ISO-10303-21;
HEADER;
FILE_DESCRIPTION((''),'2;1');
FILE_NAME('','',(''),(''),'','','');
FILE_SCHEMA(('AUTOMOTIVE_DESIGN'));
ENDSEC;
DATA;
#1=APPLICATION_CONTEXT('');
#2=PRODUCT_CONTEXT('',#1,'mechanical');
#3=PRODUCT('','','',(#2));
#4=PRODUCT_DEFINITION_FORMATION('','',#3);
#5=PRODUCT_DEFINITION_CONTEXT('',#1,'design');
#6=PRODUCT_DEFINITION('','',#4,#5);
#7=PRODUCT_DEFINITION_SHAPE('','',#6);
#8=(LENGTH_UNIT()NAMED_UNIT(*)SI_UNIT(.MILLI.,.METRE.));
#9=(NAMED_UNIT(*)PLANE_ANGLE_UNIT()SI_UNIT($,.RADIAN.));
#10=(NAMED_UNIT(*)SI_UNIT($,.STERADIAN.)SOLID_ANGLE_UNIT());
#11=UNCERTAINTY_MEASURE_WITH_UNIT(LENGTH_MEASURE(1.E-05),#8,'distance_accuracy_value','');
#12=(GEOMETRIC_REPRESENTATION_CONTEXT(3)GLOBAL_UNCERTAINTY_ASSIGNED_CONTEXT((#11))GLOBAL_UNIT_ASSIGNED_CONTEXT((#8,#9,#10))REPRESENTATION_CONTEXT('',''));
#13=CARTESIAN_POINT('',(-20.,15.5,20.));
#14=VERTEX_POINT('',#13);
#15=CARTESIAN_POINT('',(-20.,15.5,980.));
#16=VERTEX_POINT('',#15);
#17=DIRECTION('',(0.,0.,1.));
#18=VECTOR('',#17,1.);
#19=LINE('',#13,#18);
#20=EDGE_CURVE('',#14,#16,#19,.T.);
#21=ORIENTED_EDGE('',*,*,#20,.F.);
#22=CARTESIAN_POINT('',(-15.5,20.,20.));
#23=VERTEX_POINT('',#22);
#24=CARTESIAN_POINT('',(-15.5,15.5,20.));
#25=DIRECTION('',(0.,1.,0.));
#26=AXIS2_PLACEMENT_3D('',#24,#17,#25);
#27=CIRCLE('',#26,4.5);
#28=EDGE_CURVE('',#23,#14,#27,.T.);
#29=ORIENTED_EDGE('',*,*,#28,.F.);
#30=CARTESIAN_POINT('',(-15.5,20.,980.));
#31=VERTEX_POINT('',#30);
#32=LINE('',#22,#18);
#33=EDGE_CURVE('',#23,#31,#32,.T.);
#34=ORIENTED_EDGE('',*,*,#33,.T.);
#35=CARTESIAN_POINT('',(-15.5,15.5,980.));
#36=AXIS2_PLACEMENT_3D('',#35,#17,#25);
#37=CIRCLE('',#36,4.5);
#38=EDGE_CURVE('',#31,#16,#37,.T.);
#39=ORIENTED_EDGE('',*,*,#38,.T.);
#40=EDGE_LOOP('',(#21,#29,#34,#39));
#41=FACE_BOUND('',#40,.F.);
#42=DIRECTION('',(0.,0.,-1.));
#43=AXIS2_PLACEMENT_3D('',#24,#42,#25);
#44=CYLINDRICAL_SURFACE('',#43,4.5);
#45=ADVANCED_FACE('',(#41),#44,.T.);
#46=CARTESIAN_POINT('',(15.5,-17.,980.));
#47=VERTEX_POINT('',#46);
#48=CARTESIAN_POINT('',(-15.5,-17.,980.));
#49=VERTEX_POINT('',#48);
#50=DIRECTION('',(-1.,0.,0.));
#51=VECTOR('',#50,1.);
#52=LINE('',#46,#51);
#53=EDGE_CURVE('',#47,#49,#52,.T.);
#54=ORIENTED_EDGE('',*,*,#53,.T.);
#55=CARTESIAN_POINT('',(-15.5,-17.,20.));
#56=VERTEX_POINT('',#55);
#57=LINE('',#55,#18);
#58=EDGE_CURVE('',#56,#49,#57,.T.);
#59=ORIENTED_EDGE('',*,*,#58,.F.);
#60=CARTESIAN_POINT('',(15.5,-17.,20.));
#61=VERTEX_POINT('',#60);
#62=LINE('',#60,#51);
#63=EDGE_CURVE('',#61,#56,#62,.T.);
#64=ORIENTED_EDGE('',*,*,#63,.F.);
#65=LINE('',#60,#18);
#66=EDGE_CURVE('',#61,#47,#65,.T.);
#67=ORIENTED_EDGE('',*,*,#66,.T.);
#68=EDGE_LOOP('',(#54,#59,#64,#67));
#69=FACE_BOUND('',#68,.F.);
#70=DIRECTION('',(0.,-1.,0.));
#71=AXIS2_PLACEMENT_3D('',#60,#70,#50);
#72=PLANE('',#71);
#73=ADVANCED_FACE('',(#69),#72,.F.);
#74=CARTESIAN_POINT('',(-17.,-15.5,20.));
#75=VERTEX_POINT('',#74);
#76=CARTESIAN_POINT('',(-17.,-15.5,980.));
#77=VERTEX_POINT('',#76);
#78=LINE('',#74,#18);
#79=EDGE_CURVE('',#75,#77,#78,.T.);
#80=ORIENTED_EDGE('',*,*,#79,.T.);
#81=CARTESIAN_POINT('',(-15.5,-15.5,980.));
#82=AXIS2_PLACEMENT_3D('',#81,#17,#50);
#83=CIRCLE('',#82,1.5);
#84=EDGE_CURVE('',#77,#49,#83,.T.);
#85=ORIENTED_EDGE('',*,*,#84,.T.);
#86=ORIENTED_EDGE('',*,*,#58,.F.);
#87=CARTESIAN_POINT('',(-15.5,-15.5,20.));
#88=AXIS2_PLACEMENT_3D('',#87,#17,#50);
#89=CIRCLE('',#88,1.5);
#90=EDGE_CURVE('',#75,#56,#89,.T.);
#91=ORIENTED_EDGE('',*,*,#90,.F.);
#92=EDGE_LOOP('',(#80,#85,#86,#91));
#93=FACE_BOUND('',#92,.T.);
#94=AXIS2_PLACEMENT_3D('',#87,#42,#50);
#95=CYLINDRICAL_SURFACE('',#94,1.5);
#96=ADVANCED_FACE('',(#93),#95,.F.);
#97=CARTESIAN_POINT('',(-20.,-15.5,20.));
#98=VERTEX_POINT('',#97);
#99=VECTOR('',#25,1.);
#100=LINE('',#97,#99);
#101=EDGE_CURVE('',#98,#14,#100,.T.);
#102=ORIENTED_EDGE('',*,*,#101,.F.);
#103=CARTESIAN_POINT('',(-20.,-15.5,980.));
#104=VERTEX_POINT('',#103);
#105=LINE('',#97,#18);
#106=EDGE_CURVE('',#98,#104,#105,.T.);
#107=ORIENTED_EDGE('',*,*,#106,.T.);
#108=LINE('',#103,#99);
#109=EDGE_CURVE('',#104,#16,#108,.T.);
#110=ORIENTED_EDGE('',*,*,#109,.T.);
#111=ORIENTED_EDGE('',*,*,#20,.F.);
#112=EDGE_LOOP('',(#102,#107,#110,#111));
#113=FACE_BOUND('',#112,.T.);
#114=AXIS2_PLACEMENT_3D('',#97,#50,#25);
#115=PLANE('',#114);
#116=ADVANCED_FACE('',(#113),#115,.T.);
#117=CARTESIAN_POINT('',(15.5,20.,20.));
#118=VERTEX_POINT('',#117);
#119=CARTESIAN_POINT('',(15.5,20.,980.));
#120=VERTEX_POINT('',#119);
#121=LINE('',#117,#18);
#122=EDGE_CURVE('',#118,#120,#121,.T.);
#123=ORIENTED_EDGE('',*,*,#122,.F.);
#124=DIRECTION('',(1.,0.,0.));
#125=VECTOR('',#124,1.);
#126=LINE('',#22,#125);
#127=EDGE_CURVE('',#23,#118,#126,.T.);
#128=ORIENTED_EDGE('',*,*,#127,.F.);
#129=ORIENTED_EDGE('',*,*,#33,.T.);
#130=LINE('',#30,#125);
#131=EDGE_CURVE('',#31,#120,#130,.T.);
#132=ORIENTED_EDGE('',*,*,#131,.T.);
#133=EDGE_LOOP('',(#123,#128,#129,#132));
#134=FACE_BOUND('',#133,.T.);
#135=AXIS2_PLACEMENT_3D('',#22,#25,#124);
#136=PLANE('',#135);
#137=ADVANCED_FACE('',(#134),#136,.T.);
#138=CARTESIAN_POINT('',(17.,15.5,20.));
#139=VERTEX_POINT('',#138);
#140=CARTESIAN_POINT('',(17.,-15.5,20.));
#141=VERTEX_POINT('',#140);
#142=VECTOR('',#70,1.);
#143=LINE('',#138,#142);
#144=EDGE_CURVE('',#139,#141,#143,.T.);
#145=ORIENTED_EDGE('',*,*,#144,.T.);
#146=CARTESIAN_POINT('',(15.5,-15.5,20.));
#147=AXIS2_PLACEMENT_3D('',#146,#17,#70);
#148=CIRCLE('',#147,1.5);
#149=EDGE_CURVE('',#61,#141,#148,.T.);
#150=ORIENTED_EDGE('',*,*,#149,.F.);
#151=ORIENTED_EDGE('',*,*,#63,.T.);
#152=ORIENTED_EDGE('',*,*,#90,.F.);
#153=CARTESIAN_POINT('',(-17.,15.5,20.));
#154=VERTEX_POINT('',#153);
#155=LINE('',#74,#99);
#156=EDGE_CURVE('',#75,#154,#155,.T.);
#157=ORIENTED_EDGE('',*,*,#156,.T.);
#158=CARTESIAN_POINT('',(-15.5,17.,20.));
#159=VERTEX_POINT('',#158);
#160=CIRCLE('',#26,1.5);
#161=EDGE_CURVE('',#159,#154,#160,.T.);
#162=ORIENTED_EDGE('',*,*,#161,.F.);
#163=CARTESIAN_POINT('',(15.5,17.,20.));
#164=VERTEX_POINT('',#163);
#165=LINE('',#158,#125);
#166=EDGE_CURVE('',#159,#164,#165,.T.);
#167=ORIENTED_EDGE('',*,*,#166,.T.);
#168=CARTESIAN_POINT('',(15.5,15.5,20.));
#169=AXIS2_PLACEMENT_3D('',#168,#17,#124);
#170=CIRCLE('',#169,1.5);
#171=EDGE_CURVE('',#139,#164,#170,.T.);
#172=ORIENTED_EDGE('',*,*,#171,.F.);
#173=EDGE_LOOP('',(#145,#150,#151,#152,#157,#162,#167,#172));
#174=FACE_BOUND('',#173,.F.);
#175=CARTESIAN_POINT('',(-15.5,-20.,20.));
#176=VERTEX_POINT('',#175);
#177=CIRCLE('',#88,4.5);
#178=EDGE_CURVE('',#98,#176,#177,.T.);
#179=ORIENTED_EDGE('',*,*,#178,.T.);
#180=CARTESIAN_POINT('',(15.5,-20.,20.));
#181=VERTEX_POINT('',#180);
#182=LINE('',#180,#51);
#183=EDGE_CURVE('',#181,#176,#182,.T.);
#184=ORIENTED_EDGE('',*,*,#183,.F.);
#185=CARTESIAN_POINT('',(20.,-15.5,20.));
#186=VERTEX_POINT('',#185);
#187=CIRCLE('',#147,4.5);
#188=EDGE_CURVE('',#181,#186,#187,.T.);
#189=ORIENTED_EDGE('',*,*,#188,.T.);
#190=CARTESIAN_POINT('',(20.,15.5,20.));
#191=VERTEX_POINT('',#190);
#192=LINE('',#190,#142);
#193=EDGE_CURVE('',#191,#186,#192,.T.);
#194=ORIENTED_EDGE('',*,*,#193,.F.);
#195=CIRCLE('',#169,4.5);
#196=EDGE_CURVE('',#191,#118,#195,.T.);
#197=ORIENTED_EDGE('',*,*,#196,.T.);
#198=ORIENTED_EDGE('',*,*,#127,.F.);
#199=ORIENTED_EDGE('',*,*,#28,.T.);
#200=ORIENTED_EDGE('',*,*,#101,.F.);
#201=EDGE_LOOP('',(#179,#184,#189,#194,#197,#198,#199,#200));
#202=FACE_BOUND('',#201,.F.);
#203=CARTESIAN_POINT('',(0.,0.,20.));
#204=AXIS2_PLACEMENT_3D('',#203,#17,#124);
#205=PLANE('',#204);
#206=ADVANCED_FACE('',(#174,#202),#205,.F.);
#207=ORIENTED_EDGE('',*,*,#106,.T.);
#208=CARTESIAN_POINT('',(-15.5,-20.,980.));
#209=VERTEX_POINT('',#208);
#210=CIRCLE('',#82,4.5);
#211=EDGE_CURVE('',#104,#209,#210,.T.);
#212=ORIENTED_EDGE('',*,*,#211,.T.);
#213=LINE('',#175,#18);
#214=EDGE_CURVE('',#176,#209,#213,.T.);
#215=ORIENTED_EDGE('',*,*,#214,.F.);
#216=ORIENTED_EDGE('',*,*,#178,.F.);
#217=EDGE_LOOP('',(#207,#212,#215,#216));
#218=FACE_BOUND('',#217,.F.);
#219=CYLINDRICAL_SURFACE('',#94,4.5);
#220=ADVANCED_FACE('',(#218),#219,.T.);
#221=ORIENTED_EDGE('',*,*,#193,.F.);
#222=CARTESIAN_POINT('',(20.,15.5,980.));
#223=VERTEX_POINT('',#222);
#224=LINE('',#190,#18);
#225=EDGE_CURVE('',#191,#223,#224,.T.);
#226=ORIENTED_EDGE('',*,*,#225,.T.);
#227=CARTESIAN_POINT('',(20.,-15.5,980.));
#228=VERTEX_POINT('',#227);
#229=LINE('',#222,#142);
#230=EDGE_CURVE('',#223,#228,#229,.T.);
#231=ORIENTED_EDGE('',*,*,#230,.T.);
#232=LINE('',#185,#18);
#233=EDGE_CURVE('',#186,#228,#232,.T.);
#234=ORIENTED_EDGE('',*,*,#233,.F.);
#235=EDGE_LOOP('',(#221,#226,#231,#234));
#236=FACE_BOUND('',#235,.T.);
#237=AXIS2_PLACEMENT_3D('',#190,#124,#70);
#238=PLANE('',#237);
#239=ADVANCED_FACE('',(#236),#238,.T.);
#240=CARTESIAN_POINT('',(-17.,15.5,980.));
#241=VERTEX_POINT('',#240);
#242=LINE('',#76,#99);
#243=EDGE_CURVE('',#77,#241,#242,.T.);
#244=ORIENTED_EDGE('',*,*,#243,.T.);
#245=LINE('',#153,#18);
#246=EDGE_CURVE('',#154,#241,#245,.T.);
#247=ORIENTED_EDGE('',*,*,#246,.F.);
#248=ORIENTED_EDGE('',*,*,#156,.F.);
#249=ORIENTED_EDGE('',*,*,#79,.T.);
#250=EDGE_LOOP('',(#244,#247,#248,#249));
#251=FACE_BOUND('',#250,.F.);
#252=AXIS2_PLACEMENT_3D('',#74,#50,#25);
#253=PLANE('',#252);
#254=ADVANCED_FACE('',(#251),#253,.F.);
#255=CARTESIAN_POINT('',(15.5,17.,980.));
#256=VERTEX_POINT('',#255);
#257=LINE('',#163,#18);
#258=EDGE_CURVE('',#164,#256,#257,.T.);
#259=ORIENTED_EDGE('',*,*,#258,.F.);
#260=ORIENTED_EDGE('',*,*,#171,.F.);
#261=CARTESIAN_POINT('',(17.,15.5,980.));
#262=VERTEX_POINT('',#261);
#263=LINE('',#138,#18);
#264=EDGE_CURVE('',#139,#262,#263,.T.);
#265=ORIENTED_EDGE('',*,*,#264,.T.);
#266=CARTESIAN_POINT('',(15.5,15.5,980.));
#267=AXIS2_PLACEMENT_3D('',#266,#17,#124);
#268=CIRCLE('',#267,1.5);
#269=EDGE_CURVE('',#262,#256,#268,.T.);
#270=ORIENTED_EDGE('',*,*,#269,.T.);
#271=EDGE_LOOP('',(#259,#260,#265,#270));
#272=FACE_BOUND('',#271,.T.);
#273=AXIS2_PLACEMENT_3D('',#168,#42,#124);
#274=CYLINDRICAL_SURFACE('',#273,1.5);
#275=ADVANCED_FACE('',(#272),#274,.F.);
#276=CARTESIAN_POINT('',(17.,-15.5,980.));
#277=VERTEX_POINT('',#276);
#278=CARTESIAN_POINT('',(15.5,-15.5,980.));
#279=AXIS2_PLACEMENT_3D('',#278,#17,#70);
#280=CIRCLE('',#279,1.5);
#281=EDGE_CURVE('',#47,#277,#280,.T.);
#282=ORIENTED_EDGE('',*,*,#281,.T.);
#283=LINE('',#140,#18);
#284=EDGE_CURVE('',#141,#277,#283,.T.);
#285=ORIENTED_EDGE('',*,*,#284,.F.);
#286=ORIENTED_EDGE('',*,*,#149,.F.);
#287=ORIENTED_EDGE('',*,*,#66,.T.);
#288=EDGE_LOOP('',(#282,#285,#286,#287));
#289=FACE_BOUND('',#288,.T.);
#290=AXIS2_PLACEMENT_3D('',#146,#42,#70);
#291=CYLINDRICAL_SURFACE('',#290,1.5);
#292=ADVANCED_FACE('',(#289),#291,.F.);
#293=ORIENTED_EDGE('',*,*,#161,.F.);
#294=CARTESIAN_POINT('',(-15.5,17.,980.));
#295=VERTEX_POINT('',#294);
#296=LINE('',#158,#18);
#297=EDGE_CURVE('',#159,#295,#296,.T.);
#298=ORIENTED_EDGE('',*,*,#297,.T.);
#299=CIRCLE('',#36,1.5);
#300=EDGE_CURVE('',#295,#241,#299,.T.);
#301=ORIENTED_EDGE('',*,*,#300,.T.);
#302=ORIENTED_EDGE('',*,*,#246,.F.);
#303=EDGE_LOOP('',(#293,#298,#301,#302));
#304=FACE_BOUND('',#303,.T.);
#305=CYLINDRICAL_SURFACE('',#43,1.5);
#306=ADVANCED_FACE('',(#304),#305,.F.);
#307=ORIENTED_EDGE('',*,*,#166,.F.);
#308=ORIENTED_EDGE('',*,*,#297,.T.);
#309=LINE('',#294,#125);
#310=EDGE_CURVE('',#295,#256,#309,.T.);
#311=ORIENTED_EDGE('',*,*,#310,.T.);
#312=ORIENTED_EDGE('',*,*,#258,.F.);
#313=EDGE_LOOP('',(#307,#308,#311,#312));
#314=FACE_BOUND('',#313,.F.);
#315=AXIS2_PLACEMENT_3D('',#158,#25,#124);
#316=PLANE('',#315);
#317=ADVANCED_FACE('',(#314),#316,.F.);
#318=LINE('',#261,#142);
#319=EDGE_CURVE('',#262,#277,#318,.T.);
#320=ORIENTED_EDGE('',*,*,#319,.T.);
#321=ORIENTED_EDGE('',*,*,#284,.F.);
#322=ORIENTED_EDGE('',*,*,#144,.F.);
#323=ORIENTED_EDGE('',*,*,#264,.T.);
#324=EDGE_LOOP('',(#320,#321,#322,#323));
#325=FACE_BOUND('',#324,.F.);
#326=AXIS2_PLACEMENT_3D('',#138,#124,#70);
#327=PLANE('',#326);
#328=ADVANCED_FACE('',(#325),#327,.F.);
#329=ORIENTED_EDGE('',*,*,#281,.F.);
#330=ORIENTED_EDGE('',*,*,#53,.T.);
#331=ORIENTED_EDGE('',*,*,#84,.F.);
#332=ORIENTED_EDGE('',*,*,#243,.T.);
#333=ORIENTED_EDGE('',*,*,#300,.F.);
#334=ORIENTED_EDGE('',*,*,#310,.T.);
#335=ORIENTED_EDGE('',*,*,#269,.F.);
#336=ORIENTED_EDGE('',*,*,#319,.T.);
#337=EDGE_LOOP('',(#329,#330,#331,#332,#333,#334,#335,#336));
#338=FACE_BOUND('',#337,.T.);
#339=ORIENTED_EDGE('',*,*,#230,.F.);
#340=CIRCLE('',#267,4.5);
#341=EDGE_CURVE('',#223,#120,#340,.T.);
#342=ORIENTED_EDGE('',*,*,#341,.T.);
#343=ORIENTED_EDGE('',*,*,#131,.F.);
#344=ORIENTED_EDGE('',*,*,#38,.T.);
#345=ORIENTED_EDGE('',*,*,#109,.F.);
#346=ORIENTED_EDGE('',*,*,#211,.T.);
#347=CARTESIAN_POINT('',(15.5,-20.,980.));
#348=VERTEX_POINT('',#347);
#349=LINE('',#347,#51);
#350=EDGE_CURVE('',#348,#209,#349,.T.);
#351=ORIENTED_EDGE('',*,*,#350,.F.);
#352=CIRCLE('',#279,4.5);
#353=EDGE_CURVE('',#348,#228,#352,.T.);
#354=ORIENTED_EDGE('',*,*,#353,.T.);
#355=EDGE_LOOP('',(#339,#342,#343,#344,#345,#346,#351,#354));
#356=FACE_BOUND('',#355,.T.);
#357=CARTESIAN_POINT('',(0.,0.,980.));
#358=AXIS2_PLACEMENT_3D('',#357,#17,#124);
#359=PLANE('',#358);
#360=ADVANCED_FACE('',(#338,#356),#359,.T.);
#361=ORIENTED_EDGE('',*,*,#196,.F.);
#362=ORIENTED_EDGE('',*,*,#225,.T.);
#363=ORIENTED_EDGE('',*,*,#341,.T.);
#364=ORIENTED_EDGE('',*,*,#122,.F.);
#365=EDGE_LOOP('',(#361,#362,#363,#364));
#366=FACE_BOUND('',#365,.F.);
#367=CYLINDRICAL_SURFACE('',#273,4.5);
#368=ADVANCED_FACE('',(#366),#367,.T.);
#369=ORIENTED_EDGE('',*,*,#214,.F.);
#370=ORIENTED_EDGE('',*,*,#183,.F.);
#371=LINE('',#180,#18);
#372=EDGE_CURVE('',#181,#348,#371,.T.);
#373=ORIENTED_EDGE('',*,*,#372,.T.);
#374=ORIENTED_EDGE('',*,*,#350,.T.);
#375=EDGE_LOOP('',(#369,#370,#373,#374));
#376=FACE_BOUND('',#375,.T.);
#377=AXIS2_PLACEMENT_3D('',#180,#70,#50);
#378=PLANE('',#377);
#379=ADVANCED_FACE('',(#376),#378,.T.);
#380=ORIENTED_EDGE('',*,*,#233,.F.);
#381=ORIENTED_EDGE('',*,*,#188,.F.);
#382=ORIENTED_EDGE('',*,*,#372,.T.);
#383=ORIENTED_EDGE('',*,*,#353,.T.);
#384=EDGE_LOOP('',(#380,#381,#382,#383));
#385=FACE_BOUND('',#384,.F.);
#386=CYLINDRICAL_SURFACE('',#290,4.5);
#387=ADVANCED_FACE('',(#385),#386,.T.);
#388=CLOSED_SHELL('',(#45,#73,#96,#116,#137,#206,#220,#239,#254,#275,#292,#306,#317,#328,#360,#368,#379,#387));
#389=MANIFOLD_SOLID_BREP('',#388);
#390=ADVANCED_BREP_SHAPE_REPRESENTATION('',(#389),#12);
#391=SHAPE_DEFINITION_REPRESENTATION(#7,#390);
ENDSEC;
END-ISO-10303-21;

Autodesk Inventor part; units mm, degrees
ref_plane "Start Plane" through (0, 0, 20) normal (0, 0, 1) x (1, 0, 0)
ref_plane "End Plane" through (0, 0, 980) normal (0, 0, 1) x (1, 0, 0)
sketch "Sketch" plane through (0, 0, 0) normal (0, 0, 1) x (1, 0, 0)
  line L0 (-20, -15.5) -> (-20, 15.5)
  line L1 (-15.5, 20) -> (15.5, 20)
  line L2 (20, 15.5) -> (20, -15.5)
  line L3 (15.5, -20) -> (-15.5, -20)
  arc A0 (-20, -15.5) -> (-15.5, -20) centre (-15.5, -15.5) ccw
  arc A1 (-15.5, 20) -> (-20, 15.5) centre (-15.5, 15.5) ccw
  arc A2 (20, 15.5) -> (15.5, 20) centre (15.5, 15.5) ccw
  arc A3 (15.5, -20) -> (20, -15.5) centre (15.5, -15.5) ccw
  arc A4 (-15.5, 17) -> (-17, 15.5) centre (-15.5, 15.5) ccw
  line L4 (-15.5, 17) -> (15.5, 17)
  arc A5 (17, 15.5) -> (15.5, 17) centre (15.5, 15.5) ccw
  line L5 (17, 15.5) -> (17, -15.5)
  arc A6 (15.5, -17) -> (17, -15.5) centre (15.5, -15.5) ccw
  line L6 (15.5, -17) -> (-15.5, -17)
  arc A7 (-17, -15.5) -> (-15.5, -17) centre (-15.5, -15.5) ccw
  line L7 (-17, -15.5) -> (-17, 15.5)
  line L8 (0, 29.3048) -> (0, -29.3048) construction
  line L9 (-29.3048, 0) -> (29.3048, 0) construction
  dimension "d7" = 4.5
  dimension "d10" = 40
  dimension "d11" = 40
  dimension "d12" = 3
  dimension "d15" = 20
  dimension "d16" = 20
extrude "Body" add sketch "Sketch" along normal up to surface (960 mm away) from surface at 20
sketch "Sketch3" plane through (0, 0, 0) normal (0, 0, 1) x (1, 0, 0)
  line L0 (0, 0) -> (10, 0)
ref_plane "Work Plane3" through (0, 0, 0) normal (0, -1, 0) x (1, 0, 0)
ref_plane "Work Plane4" through (-15.5, 1200, 20) normal (0, 0, -1) x (-1, 0, 0)
split "Split1" plane through (-15.5, 1200, 20) removes the side toward (0, 0, -1)
ref_plane "Work Plane5" through (15.5, 1200, 980) normal (0, 0, 1) x (1, 0, 0)
split "Split2" plane through (15.5, 1200, 980) removes the side toward (0, 0, 1)
sketch "Sketch4" plane through (0, 0, 0) normal (0, -1, 0) x (1, 0, 0)
  line L0 (-2, 20) -> (12, 20) projected
  line L1 (-2, 980) -> (12, 980) projected
  dimension "d18" = 960
equation "\"d7\" = G_IR"
equation "\"d10\" = G_H"
equation "\"d11\" = G_W"
equation "\"d12\" = G_T"
equation "\"d15\" = 0.5 * d10"
equation "\"d16\" = 0.5 * d11"
equation "\"d3\" = G_L"
equation "\"G_W\" = 40"
equation "\"G_H\" = 40"
equation "\"G_T\" = 3"
equation "\"G_IR\" = 4.5"
equation "\"G_L\" = d18"
properties part number "ISO 12633-2 - 40x40x3 - 960" material "Steel, Mild"
